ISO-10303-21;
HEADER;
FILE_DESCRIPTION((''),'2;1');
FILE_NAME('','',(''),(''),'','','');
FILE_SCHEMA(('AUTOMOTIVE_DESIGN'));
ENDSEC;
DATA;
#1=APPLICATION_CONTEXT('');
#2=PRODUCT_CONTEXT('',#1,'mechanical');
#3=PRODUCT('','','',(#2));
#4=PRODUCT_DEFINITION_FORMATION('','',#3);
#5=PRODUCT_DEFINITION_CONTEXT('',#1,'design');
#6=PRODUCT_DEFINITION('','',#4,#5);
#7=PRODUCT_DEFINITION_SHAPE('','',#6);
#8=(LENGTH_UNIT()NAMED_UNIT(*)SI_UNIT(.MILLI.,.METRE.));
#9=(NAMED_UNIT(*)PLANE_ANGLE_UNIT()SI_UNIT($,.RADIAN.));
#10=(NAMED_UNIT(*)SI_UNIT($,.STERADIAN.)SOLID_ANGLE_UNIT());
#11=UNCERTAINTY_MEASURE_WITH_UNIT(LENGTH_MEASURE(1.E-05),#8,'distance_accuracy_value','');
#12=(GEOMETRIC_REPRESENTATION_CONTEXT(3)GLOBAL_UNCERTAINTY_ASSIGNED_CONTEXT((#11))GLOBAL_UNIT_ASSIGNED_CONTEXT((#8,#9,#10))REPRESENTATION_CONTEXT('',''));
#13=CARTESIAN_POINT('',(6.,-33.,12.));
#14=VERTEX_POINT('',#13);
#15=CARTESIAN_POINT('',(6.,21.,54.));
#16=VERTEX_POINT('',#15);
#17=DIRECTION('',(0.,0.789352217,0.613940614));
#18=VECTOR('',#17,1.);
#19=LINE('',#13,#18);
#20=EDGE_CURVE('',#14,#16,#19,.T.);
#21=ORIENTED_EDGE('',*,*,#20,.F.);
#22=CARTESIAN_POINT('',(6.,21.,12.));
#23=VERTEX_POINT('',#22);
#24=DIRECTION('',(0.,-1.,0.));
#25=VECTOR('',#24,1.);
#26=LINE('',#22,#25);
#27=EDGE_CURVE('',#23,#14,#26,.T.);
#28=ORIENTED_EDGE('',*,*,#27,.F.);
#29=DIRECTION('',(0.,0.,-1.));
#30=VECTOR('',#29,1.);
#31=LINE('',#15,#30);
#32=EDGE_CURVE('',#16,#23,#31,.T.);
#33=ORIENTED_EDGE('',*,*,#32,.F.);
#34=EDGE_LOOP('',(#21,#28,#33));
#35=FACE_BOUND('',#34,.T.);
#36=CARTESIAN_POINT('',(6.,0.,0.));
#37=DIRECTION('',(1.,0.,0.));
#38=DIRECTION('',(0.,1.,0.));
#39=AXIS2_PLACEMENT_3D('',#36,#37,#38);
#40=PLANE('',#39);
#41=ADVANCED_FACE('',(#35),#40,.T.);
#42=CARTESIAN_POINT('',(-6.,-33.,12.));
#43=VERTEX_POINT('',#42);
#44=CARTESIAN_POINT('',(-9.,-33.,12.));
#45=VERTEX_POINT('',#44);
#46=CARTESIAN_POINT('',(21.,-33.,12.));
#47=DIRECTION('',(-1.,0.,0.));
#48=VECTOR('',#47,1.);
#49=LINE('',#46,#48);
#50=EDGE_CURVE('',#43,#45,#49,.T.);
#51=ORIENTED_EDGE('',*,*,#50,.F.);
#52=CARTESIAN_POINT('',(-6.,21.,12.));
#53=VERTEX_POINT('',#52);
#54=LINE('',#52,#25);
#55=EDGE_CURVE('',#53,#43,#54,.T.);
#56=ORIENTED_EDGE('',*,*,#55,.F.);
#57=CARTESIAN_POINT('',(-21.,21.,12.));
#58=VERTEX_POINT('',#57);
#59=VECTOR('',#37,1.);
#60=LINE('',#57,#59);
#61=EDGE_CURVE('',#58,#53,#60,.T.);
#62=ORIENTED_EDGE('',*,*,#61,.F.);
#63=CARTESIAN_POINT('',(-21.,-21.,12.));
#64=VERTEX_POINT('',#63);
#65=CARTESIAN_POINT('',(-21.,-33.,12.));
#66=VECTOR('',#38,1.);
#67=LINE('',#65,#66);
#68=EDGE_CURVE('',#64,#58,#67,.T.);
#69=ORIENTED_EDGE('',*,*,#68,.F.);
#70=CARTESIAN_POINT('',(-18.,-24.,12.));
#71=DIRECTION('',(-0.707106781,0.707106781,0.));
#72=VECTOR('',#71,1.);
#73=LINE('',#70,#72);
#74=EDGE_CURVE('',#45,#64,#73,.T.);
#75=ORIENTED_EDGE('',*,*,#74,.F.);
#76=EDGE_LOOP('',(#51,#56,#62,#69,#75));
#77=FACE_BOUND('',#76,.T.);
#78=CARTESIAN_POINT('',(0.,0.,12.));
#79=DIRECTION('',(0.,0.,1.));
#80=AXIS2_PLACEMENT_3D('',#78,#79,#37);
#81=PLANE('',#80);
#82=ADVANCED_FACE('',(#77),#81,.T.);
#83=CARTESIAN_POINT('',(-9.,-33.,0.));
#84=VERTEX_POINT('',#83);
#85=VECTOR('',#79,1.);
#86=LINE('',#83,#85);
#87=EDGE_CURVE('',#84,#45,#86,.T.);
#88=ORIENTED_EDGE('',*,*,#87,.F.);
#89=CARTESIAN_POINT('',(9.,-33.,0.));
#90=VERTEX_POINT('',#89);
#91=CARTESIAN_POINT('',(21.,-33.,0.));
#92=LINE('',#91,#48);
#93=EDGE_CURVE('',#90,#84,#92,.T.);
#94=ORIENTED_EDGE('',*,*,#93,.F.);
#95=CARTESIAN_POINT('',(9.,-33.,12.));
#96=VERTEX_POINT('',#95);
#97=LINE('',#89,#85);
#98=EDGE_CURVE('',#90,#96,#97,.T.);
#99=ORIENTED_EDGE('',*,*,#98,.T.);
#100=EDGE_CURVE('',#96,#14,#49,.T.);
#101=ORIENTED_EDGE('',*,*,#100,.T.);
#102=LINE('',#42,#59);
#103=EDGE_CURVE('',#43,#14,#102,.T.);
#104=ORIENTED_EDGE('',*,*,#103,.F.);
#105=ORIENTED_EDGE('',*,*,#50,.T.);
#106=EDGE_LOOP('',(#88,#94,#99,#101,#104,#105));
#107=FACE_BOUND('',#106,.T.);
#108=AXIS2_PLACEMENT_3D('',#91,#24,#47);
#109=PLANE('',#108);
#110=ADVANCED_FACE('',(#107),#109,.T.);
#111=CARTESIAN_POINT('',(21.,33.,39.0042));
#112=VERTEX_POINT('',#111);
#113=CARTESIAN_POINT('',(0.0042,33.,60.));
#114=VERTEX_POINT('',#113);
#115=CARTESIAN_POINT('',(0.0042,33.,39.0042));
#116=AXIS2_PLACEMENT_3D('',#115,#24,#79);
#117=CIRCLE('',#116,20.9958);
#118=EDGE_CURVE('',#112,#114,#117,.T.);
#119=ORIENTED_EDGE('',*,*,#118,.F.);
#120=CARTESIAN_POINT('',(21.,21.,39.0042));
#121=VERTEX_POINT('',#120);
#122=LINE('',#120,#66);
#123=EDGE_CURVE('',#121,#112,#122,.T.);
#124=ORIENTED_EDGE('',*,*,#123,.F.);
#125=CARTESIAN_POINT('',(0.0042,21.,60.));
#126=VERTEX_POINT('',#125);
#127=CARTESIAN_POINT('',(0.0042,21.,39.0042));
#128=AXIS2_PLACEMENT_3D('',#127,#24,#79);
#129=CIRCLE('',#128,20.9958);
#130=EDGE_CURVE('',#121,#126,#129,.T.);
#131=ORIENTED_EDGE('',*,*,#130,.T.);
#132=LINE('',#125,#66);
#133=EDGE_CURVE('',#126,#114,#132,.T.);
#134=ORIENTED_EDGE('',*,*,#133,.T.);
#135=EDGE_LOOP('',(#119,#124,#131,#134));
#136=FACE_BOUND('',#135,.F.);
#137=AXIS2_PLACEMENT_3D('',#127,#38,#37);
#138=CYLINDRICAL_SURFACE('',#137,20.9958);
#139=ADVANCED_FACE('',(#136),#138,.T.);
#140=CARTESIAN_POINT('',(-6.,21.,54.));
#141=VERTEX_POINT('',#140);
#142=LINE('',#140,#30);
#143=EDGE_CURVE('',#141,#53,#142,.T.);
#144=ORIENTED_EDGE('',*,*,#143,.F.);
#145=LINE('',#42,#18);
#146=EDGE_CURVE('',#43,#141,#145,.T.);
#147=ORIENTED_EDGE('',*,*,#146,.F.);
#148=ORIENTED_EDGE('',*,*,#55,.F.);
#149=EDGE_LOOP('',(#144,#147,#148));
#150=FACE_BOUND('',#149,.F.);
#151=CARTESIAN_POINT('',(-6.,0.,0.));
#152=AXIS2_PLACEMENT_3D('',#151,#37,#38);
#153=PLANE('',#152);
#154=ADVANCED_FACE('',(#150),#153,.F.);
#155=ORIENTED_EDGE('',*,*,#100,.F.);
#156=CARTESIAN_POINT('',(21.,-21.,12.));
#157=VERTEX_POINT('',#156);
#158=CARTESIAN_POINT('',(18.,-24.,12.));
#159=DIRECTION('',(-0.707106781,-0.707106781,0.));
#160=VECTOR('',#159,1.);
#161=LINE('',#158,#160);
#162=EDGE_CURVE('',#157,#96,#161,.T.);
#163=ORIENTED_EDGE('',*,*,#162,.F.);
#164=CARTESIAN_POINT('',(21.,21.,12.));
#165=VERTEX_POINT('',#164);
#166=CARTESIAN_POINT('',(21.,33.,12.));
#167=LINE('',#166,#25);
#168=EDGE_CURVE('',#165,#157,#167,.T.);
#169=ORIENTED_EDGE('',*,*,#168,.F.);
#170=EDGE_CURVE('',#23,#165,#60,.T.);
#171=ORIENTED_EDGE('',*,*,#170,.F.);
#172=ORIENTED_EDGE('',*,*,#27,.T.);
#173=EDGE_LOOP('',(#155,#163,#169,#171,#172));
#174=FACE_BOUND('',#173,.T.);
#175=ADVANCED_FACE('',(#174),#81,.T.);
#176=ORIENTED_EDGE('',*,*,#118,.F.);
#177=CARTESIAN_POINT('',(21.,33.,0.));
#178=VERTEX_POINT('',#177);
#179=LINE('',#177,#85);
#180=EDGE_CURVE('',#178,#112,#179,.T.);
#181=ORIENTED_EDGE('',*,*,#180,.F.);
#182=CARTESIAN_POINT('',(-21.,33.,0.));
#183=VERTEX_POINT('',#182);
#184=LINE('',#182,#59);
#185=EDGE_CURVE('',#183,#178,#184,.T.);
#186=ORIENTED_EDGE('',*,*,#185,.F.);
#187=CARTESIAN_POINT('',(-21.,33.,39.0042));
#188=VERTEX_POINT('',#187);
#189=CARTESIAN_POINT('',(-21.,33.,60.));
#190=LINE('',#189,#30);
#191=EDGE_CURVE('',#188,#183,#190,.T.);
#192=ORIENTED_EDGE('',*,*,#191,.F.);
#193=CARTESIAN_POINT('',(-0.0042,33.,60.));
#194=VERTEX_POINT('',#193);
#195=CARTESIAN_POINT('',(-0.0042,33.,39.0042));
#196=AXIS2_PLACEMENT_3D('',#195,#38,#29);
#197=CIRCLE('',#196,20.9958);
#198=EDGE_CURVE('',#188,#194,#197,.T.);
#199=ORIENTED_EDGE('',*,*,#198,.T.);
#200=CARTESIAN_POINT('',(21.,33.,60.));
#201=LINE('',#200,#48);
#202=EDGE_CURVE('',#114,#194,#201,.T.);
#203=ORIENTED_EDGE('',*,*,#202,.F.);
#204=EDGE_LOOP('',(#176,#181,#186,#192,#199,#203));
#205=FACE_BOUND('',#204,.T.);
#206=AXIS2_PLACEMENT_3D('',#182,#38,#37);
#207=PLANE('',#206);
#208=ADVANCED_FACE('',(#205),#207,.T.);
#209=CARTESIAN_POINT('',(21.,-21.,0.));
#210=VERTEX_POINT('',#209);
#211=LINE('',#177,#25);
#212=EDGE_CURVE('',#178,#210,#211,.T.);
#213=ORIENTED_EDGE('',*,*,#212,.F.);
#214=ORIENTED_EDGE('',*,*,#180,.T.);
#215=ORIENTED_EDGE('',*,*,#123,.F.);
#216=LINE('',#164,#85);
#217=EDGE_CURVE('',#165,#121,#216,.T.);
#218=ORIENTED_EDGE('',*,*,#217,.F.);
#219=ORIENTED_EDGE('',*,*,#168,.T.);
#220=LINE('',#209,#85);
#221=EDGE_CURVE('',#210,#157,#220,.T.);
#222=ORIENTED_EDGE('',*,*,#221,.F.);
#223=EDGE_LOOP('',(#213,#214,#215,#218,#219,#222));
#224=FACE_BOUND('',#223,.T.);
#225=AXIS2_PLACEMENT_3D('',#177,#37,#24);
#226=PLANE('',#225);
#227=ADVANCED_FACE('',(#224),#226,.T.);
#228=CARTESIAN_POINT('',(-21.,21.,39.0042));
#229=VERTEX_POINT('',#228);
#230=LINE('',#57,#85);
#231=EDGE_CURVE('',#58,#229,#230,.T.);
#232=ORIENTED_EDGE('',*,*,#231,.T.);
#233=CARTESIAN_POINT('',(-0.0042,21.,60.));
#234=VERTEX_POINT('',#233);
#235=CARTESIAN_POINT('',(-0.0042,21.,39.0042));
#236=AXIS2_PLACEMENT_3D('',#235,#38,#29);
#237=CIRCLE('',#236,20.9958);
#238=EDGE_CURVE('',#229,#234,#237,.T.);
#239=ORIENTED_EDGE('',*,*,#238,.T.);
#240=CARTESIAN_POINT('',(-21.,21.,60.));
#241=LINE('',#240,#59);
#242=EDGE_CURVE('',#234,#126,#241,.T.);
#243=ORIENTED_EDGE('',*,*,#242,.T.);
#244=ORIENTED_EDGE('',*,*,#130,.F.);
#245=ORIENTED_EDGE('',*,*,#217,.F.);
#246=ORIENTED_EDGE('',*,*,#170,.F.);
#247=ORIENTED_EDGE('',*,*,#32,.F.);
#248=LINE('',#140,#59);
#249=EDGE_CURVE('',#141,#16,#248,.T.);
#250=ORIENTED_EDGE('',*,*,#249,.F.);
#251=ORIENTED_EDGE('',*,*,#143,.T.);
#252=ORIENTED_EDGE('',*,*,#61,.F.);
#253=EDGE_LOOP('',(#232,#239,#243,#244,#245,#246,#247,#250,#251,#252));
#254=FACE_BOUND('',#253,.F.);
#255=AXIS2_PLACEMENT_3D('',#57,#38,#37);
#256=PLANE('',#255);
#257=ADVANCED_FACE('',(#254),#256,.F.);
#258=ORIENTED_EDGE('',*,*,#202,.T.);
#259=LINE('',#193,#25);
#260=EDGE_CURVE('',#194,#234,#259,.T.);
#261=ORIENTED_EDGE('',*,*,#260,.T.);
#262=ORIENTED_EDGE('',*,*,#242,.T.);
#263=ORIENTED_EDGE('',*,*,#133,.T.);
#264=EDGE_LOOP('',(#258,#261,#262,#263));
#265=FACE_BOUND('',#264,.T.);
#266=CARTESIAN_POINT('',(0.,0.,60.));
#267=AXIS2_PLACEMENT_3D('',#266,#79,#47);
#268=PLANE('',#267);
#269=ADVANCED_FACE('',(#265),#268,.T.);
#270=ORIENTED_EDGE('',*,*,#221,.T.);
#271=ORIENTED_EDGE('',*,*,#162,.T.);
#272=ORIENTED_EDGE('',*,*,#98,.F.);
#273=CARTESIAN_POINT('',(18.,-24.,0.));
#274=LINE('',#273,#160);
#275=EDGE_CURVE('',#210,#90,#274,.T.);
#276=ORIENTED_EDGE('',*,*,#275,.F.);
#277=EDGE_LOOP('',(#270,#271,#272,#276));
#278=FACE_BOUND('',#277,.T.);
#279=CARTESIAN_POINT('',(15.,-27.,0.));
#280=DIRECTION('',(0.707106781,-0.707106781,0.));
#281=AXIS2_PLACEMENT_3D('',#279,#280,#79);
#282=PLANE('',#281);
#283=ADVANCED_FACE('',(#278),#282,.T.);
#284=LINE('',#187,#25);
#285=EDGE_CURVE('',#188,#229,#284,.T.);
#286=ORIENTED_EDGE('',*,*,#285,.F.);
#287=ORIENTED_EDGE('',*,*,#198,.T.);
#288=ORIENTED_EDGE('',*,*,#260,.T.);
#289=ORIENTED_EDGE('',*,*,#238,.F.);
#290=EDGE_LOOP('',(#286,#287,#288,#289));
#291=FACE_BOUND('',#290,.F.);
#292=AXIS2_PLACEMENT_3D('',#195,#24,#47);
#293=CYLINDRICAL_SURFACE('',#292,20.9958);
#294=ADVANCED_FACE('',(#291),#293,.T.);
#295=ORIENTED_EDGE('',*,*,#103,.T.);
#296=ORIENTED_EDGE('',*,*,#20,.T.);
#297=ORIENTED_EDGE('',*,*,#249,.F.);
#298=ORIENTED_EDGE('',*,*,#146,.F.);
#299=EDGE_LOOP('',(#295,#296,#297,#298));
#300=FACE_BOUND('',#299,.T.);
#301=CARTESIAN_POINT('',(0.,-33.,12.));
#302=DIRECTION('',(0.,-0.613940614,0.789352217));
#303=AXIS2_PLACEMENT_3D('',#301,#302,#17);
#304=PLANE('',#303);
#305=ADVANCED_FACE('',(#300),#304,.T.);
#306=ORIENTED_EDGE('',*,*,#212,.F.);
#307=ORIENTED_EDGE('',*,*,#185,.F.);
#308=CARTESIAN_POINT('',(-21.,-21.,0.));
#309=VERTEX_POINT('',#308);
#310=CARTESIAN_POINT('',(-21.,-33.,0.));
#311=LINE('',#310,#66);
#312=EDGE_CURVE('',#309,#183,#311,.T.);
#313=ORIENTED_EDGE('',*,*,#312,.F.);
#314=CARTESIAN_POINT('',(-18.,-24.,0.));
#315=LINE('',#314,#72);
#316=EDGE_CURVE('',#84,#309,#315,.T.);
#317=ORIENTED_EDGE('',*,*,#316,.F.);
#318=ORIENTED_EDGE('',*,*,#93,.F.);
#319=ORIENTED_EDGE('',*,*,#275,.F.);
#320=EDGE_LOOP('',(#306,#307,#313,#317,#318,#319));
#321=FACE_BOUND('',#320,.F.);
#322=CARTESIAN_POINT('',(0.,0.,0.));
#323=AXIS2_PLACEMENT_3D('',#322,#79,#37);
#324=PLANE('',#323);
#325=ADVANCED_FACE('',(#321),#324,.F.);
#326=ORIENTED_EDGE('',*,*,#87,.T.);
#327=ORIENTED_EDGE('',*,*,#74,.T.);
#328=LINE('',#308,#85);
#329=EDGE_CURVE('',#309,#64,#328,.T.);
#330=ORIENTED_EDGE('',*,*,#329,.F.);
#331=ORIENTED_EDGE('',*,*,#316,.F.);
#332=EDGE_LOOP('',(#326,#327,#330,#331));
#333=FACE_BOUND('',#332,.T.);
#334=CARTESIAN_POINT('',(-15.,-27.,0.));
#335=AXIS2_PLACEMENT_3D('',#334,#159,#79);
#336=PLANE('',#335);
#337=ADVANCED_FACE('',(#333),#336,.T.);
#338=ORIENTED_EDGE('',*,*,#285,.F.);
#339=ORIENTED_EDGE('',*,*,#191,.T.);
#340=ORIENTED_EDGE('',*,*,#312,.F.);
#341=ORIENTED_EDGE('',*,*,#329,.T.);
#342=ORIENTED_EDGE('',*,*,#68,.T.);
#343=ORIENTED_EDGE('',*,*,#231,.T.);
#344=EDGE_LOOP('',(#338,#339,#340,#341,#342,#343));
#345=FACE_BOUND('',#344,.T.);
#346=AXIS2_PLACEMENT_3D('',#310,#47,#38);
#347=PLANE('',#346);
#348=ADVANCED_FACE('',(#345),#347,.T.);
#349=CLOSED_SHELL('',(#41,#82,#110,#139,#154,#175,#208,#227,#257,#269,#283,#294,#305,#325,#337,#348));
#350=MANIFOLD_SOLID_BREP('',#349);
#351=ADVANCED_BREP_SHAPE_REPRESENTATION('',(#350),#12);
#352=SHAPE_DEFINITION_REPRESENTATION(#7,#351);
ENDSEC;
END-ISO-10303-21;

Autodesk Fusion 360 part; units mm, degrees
sketch "Sketch1" plane through (0, 0, 0) normal (0, 0, 1) x (1, 0, 0)
  line L0 (21, -33) -> (-21, -33)
  line L1 (-21, -33) -> (-21, 33)
  line L2 (-21, 33) -> (21, 33)
  line L3 (21, 33) -> (21, -33)
  line L4 (21, -33) -> (-21, 33) construction
  line L5 (-21, -33) -> (21, 33) construction
  dimension "d1" = 42
  dimension "d2" = 66
extrude "Extrude1" add sketch "Sketch1" along normal blind 12
sketch "Sketch2" plane through (0, 0, 12) normal (0, 0, 1) x (-1, 0, 0)
  line L0 (-21, -33) -> (21, -33)
  line L1 (21, -33) -> (21, 33)
  line L2 (21, 33) -> (-21, 33)
  line L3 (-21, 33) -> (-21, -33)
  line L4 (-21, -33) -> (21, -33)
  line L5 (21, -33) -> (21, -21)
  line L6 (21, -21) -> (-21, -21)
  line L7 (-21, -21) -> (-21, -33)
  dimension "d5" = 42
  dimension "d6" = 12
extrude "Extrude2" add sketch "Sketch2" along normal blind 48 contours L0 L1 L3 L4 L5 L6 L7
fillet "Fillet1" radius 21 2 edges at (-21, 27, 60) (21, 27, 60)
sketch "Sketch3" plane through (0, 0, 0) normal (1, 0, 0) x (0, 1, 0)
  line L0 (21, 54) -> (21, 12)
  line L1 (21, 12) -> (-33, 12)
  line L2 (-33, 12) -> (21, 54)
  dimension "d11" = 42
  dimension "d12" = 54
extrude "Extrude3" add sketch "Sketch3" along normal mid plane 12
chamfer "Chamfer1" distance 12 angle 45 2 edges at (-21, -33, 6) (21, -33, 6)
equation "d7 = 60 mm - 12 mm"
equation "d12 = 66 mm - 12 mm"
